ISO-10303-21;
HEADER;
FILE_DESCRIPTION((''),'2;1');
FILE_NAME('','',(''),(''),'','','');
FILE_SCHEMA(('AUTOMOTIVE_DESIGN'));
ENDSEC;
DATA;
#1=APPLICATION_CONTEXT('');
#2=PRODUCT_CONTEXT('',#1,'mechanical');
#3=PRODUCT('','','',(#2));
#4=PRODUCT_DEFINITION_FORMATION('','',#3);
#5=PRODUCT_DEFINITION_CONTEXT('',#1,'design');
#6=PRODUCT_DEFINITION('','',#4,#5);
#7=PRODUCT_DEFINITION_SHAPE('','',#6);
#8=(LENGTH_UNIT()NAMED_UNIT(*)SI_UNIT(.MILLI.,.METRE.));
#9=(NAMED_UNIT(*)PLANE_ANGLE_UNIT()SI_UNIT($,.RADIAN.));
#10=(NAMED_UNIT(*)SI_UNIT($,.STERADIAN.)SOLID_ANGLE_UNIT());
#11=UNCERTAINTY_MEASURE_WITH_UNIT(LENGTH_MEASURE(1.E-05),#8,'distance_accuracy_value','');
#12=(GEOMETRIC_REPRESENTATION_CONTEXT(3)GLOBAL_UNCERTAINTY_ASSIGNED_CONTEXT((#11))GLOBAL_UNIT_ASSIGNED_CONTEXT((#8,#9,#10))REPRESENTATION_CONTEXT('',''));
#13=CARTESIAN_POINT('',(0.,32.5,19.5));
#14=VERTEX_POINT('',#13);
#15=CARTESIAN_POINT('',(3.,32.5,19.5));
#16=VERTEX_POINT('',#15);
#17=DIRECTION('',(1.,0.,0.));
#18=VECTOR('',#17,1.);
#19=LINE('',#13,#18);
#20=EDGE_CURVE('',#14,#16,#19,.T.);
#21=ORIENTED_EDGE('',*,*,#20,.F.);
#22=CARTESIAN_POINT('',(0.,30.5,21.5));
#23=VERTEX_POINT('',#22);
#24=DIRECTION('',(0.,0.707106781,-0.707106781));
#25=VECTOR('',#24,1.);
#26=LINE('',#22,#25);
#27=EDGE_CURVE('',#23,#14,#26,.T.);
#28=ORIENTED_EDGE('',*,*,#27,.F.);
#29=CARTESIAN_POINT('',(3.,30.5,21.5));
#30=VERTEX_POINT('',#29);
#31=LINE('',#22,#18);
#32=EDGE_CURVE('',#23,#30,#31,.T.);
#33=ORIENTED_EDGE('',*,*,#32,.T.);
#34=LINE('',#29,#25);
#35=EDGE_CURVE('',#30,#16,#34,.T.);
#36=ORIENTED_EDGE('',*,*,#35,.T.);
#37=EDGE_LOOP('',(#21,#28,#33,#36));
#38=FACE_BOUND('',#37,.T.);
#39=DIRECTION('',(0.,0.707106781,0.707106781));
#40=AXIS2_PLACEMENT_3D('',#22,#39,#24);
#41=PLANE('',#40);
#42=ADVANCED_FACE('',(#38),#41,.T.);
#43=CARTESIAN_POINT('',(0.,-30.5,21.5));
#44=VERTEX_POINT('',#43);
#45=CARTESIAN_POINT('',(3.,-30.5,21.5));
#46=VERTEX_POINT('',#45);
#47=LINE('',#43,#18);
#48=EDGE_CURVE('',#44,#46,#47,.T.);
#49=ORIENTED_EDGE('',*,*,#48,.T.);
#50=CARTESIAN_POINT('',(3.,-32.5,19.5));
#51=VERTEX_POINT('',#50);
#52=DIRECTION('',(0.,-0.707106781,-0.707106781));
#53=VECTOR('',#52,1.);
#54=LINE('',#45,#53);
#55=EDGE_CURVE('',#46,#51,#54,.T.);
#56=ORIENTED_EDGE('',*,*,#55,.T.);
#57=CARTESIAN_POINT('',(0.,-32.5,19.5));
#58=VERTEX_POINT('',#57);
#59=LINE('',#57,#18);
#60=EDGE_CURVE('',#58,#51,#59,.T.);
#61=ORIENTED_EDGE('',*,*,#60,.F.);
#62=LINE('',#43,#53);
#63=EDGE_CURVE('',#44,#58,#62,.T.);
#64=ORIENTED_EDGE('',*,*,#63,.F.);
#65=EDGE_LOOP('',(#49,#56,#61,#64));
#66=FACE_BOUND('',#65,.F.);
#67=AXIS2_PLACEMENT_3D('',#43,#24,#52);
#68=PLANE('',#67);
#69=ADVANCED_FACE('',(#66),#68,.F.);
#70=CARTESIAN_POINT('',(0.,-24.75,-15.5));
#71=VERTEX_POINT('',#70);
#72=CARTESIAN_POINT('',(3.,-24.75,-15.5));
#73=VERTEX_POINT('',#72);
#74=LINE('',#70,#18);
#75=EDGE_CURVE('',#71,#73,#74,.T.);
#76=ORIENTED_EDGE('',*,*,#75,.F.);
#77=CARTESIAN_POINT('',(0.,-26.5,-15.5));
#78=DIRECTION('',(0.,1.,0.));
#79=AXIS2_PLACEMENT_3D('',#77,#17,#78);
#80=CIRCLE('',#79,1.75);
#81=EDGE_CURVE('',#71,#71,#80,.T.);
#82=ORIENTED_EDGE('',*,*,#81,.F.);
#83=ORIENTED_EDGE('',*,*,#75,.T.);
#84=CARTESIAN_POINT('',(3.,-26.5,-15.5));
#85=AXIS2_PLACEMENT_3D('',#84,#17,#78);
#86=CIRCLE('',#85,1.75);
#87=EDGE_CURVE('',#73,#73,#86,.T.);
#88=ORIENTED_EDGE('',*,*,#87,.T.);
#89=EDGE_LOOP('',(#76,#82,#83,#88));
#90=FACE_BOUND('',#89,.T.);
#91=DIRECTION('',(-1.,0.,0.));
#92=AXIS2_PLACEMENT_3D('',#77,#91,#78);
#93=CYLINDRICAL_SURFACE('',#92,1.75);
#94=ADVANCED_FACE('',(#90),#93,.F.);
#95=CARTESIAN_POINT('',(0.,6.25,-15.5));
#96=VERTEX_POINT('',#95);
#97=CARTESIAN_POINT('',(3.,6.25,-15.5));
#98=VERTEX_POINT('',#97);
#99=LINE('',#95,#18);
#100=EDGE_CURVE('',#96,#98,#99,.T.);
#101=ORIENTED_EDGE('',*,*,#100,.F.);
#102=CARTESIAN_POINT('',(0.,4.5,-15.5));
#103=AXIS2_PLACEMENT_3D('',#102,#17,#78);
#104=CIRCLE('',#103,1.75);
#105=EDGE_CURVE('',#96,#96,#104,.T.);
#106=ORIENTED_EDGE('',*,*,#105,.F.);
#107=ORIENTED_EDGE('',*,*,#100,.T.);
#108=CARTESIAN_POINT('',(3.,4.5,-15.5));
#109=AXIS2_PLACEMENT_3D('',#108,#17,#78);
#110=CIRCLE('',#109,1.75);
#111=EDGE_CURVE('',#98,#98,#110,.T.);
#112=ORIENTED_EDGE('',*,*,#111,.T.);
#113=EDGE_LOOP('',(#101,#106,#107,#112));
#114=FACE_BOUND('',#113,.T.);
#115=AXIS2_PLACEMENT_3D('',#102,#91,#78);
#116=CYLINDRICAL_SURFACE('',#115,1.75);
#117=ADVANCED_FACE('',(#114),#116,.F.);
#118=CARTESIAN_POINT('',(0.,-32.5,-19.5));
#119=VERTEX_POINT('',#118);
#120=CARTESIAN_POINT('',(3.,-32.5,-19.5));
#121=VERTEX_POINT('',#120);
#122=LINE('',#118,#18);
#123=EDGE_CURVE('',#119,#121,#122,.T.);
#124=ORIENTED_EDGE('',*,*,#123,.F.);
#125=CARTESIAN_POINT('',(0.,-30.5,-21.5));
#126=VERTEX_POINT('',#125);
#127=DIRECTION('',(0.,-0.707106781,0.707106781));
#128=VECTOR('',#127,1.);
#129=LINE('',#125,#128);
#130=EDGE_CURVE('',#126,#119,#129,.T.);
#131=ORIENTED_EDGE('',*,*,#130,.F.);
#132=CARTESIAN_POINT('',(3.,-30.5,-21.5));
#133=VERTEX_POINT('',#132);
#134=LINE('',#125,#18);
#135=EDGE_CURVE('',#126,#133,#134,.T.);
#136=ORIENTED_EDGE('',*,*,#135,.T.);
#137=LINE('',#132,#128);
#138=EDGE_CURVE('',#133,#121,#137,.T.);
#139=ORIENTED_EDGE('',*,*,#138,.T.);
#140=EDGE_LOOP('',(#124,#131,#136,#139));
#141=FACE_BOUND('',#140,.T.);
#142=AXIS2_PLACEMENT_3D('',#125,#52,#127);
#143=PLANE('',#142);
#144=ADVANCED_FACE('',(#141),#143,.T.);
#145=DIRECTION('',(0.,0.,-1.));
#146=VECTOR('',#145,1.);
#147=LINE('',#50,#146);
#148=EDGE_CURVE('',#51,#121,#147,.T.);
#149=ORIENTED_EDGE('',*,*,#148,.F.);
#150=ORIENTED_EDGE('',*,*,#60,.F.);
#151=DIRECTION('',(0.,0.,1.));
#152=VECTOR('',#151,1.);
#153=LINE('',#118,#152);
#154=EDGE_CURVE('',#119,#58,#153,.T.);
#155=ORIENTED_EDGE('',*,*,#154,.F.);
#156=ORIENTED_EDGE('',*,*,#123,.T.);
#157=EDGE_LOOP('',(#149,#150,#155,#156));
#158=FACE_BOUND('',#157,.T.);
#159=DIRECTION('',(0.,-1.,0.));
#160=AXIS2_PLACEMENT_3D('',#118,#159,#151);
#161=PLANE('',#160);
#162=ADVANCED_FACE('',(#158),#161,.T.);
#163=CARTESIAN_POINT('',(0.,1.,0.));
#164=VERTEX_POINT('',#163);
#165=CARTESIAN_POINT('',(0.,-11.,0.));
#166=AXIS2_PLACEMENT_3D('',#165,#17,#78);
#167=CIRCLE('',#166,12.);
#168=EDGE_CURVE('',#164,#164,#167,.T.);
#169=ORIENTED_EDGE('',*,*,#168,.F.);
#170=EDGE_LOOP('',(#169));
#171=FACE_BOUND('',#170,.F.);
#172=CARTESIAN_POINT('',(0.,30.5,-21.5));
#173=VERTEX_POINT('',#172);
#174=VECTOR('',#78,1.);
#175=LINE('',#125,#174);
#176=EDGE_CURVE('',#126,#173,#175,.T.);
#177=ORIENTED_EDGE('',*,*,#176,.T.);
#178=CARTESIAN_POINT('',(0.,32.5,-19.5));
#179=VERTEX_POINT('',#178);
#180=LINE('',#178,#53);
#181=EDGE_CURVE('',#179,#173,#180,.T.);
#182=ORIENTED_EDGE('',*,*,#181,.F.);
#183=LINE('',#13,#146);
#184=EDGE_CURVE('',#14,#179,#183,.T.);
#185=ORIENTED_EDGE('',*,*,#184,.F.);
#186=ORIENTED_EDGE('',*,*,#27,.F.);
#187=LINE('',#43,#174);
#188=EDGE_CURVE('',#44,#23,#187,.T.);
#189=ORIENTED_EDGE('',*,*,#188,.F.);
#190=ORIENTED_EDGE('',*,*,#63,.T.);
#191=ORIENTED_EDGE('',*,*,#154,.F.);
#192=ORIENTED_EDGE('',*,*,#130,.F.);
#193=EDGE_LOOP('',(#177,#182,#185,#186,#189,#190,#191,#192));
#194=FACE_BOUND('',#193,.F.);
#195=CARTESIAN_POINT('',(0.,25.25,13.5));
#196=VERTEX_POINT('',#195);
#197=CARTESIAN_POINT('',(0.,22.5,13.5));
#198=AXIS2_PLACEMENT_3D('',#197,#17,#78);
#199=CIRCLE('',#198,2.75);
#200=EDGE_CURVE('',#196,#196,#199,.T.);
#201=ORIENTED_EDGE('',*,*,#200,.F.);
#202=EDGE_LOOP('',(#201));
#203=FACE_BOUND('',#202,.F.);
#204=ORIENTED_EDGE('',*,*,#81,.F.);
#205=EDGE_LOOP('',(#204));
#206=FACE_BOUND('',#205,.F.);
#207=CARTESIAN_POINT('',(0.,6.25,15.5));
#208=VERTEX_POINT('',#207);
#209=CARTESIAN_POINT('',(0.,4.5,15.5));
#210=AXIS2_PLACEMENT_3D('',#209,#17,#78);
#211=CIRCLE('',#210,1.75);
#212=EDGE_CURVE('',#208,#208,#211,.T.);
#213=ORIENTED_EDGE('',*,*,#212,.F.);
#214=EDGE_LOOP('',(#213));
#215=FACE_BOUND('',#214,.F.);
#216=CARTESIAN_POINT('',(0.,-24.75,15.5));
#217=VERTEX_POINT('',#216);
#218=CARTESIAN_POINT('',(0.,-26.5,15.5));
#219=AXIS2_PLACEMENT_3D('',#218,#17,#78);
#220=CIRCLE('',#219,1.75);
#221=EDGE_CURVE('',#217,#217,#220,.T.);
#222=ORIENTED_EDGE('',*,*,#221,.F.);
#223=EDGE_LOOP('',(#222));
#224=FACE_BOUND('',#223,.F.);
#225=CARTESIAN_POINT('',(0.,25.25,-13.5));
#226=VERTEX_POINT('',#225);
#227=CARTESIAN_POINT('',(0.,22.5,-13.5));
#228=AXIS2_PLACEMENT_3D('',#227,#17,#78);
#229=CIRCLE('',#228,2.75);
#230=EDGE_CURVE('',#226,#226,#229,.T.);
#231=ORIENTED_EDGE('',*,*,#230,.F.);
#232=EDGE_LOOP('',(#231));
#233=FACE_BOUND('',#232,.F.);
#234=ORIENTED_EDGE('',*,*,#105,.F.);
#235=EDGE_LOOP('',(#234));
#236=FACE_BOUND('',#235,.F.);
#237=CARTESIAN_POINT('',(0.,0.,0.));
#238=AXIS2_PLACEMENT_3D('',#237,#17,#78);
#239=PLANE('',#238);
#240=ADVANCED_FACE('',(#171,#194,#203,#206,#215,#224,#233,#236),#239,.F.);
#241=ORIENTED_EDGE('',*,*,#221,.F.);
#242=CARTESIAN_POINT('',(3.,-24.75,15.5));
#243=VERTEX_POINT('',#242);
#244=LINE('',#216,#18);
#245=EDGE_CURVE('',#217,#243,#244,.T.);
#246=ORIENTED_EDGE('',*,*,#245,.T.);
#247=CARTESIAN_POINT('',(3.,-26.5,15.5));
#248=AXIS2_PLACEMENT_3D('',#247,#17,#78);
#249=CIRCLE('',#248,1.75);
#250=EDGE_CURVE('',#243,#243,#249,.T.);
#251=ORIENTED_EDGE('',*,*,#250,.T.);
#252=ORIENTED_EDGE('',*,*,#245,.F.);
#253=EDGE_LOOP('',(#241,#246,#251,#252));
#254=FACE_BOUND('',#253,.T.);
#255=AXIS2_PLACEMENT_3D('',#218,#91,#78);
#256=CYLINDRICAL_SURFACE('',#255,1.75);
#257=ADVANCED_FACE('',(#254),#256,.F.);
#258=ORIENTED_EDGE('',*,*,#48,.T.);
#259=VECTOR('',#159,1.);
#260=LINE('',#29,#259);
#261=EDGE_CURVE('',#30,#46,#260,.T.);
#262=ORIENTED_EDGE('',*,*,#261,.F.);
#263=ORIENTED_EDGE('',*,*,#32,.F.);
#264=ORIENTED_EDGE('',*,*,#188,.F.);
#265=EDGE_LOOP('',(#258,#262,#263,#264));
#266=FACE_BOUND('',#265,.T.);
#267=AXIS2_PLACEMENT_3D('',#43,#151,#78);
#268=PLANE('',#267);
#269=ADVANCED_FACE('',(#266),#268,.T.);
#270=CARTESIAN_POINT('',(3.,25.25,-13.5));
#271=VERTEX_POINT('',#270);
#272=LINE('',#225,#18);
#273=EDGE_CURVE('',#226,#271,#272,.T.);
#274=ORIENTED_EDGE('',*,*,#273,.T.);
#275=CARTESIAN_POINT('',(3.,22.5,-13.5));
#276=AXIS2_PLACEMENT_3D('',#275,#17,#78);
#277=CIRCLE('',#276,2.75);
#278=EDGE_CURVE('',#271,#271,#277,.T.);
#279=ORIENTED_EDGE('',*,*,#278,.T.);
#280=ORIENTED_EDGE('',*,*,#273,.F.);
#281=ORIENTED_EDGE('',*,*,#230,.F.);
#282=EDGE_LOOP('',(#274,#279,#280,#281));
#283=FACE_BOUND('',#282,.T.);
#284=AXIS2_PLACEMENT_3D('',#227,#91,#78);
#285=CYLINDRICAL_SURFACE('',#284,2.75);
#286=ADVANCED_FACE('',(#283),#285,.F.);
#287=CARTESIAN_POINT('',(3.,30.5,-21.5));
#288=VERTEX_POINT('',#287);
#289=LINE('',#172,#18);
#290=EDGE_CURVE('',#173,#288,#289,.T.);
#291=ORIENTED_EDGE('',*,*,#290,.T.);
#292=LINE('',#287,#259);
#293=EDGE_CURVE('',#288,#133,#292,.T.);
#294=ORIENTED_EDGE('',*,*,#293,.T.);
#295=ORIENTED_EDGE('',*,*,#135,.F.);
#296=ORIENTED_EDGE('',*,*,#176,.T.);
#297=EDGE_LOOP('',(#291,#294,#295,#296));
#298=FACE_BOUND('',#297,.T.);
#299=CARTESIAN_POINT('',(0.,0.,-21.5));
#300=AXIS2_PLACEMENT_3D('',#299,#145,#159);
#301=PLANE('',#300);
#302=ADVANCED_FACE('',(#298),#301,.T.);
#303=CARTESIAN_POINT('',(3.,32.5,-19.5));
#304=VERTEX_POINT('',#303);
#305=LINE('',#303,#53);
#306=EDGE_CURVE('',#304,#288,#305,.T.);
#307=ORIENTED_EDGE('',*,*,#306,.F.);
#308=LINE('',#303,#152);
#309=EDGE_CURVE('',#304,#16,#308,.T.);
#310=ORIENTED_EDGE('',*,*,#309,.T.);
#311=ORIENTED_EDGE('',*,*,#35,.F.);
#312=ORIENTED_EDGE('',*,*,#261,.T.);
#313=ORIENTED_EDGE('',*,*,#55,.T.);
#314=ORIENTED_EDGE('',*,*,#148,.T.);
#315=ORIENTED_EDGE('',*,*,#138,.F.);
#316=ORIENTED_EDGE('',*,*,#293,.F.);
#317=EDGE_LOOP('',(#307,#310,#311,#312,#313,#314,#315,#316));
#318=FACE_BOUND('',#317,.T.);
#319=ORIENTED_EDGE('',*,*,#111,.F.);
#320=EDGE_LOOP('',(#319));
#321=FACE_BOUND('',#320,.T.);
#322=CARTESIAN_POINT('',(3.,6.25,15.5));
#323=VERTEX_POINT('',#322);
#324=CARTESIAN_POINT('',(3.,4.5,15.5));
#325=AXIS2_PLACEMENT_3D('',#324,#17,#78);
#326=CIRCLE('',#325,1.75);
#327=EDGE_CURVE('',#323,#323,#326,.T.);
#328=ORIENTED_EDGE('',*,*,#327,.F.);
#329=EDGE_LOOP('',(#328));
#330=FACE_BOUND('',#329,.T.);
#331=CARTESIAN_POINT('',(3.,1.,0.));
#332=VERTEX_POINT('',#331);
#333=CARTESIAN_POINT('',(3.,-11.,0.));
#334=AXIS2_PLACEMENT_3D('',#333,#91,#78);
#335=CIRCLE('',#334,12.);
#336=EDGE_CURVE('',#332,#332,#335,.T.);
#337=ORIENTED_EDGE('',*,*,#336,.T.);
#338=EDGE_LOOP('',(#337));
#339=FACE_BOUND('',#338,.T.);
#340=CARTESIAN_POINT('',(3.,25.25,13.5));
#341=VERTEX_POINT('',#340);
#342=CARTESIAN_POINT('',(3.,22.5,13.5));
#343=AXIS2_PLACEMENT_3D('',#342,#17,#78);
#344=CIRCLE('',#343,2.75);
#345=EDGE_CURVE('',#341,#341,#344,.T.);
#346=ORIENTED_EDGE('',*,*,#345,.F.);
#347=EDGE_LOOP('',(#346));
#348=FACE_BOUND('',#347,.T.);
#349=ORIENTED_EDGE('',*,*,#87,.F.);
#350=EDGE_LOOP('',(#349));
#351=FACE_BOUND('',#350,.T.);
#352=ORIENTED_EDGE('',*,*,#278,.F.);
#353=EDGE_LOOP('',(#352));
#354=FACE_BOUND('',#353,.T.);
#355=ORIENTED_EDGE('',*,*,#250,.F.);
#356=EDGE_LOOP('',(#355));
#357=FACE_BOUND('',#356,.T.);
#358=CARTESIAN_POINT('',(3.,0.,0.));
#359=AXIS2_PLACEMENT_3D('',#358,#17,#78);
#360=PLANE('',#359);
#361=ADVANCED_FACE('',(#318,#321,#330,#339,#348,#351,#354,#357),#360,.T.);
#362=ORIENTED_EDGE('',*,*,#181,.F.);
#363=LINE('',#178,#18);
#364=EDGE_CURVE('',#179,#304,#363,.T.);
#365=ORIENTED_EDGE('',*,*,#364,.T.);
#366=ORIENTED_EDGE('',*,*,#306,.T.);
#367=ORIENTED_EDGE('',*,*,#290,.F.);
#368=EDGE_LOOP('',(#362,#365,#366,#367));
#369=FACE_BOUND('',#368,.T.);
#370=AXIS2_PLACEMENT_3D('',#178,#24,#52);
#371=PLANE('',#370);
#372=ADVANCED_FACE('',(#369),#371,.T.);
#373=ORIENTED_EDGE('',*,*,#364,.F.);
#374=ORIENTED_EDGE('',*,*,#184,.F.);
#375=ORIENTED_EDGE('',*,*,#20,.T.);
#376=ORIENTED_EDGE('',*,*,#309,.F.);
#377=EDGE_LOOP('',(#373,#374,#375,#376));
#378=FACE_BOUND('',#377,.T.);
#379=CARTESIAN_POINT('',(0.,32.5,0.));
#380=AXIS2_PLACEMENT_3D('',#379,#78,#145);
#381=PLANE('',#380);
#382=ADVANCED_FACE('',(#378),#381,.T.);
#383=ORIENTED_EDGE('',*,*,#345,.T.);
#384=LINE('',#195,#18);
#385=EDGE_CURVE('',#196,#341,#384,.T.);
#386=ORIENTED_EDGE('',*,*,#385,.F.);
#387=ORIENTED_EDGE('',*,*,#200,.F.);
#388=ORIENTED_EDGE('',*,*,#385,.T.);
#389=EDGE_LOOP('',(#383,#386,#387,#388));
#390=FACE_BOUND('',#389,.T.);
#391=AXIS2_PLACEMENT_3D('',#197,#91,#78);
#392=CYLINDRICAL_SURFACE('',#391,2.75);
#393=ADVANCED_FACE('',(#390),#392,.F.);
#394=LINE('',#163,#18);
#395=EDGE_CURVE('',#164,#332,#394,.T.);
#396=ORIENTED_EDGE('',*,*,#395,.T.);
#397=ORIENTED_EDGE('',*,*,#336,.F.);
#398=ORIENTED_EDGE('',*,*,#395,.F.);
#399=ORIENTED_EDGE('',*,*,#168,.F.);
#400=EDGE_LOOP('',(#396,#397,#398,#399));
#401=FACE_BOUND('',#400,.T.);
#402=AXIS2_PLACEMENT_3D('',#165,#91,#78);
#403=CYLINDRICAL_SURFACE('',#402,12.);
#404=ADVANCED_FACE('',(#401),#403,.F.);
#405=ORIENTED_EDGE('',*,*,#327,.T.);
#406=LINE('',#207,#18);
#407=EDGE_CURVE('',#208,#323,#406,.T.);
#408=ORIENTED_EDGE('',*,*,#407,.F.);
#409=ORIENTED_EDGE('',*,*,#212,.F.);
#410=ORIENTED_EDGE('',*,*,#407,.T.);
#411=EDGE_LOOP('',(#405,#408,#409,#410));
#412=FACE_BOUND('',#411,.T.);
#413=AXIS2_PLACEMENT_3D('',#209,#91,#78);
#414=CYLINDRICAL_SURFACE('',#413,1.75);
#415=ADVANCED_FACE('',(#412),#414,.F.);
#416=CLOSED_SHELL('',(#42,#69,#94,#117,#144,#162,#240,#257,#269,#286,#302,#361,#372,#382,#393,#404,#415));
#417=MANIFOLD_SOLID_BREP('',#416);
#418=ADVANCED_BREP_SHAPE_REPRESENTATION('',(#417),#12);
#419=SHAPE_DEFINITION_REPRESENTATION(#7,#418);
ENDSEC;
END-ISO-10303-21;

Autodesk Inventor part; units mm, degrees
ref_plane "YZ Plane" through (0, 0, 0) normal (1, 0, 0) x (0, 1, 0)
ref_plane "XZ Plane" through (0, 0, 0) normal (0, 1, 0) x (-1, 0, 0)
ref_plane "XY Plane" through (0, 0, 0) normal (0, 0, 1) x (1, 0, 0)
sketch "Skizze1" plane through (0, 0, 0) normal (1, 0, 0) x (0, 1, 0)
  line L0 (0, -30.1) -> (0, 30.1) projected
  line L1 (-45.5, 0) -> (45.5, 0) projected
  line L2 (-30.5, 21.5) -> (30.5, 21.5)
  line L3 (32.5, 19.5) -> (32.5, -19.5)
  line L4 (30.5, -21.5) -> (-30.5, -21.5)
  line L5 (-32.5, -19.5) -> (-32.5, 19.5)
  circle A0 centre (22.5, 13.5) radius 2.75
  circle A1 centre (22.5, -13.5) radius 2.75
  line L6 (30.5, 21.5) -> (32.5, 19.5)
  line L7 (32.5, -19.5) -> (30.5, -21.5)
  line L8 (-30.5, 21.5) -> (-32.5, 19.5)
  line L9 (-30.5, -21.5) -> (-32.5, -19.5)
  circle A2 centre (-11, 0) radius 12
  circle A3 centre (-26.5, 15.5) radius 1.75
  circle A4 centre (-26.5, -15.5) radius 1.75
  circle A5 centre (4.5, 15.5) radius 1.75
  circle A6 centre (4.5, -15.5) radius 1.75
  point P0 (0, 0)
  point P1 (-32.5, 21.5)
  point P2 (32.5, -21.5)
  point P3 (32.5, 21.5)
  point P4 (-32.5, -21.5)
  dimension "d0" = 65
  dimension "d1" = 43
  dimension "d2" = 5.5
  dimension "d3" = 10
  dimension "d4" = 8
  dimension "d14" = 2
  dimension "d15" = 2
  dimension "d16" = 2
  dimension "d17" = 2
  dimension "d18" = 2
  dimension "d19" = 2
  dimension "d20" = 2
  dimension "d21" = 2
  dimension "d35" = 24
  dimension "d43" = 3.5
  dimension "d44" = 15.5
  dimension "d46" = 15.5
  dimension "d47" = 21.5
  dimension "d48" = 3.5
  dimension "d49" = 15.5
  dimension "d50" = 15.5
extrude "Extrusion5" add sketch "Skizze1" along normal blind 3 contours L4 L9 L5 L1 A2 L0 | L0 A2 L1 L3 L7 L4 | L1 L5 L8 L2 L0 A2 | A2 L0 L2 L6 L3 L1
equation "\"d15\" = d14"
equation "\"d16\" = d14"
equation "\"d17\" = d16"
equation "\"d18\" = d14"
equation "\"d19\" = d18"
equation "\"d20\" = d14"
equation "\"d21\" = d20"
properties part number "Nema17_Montageplatte_Extruder" material "Aluminium 6061"
